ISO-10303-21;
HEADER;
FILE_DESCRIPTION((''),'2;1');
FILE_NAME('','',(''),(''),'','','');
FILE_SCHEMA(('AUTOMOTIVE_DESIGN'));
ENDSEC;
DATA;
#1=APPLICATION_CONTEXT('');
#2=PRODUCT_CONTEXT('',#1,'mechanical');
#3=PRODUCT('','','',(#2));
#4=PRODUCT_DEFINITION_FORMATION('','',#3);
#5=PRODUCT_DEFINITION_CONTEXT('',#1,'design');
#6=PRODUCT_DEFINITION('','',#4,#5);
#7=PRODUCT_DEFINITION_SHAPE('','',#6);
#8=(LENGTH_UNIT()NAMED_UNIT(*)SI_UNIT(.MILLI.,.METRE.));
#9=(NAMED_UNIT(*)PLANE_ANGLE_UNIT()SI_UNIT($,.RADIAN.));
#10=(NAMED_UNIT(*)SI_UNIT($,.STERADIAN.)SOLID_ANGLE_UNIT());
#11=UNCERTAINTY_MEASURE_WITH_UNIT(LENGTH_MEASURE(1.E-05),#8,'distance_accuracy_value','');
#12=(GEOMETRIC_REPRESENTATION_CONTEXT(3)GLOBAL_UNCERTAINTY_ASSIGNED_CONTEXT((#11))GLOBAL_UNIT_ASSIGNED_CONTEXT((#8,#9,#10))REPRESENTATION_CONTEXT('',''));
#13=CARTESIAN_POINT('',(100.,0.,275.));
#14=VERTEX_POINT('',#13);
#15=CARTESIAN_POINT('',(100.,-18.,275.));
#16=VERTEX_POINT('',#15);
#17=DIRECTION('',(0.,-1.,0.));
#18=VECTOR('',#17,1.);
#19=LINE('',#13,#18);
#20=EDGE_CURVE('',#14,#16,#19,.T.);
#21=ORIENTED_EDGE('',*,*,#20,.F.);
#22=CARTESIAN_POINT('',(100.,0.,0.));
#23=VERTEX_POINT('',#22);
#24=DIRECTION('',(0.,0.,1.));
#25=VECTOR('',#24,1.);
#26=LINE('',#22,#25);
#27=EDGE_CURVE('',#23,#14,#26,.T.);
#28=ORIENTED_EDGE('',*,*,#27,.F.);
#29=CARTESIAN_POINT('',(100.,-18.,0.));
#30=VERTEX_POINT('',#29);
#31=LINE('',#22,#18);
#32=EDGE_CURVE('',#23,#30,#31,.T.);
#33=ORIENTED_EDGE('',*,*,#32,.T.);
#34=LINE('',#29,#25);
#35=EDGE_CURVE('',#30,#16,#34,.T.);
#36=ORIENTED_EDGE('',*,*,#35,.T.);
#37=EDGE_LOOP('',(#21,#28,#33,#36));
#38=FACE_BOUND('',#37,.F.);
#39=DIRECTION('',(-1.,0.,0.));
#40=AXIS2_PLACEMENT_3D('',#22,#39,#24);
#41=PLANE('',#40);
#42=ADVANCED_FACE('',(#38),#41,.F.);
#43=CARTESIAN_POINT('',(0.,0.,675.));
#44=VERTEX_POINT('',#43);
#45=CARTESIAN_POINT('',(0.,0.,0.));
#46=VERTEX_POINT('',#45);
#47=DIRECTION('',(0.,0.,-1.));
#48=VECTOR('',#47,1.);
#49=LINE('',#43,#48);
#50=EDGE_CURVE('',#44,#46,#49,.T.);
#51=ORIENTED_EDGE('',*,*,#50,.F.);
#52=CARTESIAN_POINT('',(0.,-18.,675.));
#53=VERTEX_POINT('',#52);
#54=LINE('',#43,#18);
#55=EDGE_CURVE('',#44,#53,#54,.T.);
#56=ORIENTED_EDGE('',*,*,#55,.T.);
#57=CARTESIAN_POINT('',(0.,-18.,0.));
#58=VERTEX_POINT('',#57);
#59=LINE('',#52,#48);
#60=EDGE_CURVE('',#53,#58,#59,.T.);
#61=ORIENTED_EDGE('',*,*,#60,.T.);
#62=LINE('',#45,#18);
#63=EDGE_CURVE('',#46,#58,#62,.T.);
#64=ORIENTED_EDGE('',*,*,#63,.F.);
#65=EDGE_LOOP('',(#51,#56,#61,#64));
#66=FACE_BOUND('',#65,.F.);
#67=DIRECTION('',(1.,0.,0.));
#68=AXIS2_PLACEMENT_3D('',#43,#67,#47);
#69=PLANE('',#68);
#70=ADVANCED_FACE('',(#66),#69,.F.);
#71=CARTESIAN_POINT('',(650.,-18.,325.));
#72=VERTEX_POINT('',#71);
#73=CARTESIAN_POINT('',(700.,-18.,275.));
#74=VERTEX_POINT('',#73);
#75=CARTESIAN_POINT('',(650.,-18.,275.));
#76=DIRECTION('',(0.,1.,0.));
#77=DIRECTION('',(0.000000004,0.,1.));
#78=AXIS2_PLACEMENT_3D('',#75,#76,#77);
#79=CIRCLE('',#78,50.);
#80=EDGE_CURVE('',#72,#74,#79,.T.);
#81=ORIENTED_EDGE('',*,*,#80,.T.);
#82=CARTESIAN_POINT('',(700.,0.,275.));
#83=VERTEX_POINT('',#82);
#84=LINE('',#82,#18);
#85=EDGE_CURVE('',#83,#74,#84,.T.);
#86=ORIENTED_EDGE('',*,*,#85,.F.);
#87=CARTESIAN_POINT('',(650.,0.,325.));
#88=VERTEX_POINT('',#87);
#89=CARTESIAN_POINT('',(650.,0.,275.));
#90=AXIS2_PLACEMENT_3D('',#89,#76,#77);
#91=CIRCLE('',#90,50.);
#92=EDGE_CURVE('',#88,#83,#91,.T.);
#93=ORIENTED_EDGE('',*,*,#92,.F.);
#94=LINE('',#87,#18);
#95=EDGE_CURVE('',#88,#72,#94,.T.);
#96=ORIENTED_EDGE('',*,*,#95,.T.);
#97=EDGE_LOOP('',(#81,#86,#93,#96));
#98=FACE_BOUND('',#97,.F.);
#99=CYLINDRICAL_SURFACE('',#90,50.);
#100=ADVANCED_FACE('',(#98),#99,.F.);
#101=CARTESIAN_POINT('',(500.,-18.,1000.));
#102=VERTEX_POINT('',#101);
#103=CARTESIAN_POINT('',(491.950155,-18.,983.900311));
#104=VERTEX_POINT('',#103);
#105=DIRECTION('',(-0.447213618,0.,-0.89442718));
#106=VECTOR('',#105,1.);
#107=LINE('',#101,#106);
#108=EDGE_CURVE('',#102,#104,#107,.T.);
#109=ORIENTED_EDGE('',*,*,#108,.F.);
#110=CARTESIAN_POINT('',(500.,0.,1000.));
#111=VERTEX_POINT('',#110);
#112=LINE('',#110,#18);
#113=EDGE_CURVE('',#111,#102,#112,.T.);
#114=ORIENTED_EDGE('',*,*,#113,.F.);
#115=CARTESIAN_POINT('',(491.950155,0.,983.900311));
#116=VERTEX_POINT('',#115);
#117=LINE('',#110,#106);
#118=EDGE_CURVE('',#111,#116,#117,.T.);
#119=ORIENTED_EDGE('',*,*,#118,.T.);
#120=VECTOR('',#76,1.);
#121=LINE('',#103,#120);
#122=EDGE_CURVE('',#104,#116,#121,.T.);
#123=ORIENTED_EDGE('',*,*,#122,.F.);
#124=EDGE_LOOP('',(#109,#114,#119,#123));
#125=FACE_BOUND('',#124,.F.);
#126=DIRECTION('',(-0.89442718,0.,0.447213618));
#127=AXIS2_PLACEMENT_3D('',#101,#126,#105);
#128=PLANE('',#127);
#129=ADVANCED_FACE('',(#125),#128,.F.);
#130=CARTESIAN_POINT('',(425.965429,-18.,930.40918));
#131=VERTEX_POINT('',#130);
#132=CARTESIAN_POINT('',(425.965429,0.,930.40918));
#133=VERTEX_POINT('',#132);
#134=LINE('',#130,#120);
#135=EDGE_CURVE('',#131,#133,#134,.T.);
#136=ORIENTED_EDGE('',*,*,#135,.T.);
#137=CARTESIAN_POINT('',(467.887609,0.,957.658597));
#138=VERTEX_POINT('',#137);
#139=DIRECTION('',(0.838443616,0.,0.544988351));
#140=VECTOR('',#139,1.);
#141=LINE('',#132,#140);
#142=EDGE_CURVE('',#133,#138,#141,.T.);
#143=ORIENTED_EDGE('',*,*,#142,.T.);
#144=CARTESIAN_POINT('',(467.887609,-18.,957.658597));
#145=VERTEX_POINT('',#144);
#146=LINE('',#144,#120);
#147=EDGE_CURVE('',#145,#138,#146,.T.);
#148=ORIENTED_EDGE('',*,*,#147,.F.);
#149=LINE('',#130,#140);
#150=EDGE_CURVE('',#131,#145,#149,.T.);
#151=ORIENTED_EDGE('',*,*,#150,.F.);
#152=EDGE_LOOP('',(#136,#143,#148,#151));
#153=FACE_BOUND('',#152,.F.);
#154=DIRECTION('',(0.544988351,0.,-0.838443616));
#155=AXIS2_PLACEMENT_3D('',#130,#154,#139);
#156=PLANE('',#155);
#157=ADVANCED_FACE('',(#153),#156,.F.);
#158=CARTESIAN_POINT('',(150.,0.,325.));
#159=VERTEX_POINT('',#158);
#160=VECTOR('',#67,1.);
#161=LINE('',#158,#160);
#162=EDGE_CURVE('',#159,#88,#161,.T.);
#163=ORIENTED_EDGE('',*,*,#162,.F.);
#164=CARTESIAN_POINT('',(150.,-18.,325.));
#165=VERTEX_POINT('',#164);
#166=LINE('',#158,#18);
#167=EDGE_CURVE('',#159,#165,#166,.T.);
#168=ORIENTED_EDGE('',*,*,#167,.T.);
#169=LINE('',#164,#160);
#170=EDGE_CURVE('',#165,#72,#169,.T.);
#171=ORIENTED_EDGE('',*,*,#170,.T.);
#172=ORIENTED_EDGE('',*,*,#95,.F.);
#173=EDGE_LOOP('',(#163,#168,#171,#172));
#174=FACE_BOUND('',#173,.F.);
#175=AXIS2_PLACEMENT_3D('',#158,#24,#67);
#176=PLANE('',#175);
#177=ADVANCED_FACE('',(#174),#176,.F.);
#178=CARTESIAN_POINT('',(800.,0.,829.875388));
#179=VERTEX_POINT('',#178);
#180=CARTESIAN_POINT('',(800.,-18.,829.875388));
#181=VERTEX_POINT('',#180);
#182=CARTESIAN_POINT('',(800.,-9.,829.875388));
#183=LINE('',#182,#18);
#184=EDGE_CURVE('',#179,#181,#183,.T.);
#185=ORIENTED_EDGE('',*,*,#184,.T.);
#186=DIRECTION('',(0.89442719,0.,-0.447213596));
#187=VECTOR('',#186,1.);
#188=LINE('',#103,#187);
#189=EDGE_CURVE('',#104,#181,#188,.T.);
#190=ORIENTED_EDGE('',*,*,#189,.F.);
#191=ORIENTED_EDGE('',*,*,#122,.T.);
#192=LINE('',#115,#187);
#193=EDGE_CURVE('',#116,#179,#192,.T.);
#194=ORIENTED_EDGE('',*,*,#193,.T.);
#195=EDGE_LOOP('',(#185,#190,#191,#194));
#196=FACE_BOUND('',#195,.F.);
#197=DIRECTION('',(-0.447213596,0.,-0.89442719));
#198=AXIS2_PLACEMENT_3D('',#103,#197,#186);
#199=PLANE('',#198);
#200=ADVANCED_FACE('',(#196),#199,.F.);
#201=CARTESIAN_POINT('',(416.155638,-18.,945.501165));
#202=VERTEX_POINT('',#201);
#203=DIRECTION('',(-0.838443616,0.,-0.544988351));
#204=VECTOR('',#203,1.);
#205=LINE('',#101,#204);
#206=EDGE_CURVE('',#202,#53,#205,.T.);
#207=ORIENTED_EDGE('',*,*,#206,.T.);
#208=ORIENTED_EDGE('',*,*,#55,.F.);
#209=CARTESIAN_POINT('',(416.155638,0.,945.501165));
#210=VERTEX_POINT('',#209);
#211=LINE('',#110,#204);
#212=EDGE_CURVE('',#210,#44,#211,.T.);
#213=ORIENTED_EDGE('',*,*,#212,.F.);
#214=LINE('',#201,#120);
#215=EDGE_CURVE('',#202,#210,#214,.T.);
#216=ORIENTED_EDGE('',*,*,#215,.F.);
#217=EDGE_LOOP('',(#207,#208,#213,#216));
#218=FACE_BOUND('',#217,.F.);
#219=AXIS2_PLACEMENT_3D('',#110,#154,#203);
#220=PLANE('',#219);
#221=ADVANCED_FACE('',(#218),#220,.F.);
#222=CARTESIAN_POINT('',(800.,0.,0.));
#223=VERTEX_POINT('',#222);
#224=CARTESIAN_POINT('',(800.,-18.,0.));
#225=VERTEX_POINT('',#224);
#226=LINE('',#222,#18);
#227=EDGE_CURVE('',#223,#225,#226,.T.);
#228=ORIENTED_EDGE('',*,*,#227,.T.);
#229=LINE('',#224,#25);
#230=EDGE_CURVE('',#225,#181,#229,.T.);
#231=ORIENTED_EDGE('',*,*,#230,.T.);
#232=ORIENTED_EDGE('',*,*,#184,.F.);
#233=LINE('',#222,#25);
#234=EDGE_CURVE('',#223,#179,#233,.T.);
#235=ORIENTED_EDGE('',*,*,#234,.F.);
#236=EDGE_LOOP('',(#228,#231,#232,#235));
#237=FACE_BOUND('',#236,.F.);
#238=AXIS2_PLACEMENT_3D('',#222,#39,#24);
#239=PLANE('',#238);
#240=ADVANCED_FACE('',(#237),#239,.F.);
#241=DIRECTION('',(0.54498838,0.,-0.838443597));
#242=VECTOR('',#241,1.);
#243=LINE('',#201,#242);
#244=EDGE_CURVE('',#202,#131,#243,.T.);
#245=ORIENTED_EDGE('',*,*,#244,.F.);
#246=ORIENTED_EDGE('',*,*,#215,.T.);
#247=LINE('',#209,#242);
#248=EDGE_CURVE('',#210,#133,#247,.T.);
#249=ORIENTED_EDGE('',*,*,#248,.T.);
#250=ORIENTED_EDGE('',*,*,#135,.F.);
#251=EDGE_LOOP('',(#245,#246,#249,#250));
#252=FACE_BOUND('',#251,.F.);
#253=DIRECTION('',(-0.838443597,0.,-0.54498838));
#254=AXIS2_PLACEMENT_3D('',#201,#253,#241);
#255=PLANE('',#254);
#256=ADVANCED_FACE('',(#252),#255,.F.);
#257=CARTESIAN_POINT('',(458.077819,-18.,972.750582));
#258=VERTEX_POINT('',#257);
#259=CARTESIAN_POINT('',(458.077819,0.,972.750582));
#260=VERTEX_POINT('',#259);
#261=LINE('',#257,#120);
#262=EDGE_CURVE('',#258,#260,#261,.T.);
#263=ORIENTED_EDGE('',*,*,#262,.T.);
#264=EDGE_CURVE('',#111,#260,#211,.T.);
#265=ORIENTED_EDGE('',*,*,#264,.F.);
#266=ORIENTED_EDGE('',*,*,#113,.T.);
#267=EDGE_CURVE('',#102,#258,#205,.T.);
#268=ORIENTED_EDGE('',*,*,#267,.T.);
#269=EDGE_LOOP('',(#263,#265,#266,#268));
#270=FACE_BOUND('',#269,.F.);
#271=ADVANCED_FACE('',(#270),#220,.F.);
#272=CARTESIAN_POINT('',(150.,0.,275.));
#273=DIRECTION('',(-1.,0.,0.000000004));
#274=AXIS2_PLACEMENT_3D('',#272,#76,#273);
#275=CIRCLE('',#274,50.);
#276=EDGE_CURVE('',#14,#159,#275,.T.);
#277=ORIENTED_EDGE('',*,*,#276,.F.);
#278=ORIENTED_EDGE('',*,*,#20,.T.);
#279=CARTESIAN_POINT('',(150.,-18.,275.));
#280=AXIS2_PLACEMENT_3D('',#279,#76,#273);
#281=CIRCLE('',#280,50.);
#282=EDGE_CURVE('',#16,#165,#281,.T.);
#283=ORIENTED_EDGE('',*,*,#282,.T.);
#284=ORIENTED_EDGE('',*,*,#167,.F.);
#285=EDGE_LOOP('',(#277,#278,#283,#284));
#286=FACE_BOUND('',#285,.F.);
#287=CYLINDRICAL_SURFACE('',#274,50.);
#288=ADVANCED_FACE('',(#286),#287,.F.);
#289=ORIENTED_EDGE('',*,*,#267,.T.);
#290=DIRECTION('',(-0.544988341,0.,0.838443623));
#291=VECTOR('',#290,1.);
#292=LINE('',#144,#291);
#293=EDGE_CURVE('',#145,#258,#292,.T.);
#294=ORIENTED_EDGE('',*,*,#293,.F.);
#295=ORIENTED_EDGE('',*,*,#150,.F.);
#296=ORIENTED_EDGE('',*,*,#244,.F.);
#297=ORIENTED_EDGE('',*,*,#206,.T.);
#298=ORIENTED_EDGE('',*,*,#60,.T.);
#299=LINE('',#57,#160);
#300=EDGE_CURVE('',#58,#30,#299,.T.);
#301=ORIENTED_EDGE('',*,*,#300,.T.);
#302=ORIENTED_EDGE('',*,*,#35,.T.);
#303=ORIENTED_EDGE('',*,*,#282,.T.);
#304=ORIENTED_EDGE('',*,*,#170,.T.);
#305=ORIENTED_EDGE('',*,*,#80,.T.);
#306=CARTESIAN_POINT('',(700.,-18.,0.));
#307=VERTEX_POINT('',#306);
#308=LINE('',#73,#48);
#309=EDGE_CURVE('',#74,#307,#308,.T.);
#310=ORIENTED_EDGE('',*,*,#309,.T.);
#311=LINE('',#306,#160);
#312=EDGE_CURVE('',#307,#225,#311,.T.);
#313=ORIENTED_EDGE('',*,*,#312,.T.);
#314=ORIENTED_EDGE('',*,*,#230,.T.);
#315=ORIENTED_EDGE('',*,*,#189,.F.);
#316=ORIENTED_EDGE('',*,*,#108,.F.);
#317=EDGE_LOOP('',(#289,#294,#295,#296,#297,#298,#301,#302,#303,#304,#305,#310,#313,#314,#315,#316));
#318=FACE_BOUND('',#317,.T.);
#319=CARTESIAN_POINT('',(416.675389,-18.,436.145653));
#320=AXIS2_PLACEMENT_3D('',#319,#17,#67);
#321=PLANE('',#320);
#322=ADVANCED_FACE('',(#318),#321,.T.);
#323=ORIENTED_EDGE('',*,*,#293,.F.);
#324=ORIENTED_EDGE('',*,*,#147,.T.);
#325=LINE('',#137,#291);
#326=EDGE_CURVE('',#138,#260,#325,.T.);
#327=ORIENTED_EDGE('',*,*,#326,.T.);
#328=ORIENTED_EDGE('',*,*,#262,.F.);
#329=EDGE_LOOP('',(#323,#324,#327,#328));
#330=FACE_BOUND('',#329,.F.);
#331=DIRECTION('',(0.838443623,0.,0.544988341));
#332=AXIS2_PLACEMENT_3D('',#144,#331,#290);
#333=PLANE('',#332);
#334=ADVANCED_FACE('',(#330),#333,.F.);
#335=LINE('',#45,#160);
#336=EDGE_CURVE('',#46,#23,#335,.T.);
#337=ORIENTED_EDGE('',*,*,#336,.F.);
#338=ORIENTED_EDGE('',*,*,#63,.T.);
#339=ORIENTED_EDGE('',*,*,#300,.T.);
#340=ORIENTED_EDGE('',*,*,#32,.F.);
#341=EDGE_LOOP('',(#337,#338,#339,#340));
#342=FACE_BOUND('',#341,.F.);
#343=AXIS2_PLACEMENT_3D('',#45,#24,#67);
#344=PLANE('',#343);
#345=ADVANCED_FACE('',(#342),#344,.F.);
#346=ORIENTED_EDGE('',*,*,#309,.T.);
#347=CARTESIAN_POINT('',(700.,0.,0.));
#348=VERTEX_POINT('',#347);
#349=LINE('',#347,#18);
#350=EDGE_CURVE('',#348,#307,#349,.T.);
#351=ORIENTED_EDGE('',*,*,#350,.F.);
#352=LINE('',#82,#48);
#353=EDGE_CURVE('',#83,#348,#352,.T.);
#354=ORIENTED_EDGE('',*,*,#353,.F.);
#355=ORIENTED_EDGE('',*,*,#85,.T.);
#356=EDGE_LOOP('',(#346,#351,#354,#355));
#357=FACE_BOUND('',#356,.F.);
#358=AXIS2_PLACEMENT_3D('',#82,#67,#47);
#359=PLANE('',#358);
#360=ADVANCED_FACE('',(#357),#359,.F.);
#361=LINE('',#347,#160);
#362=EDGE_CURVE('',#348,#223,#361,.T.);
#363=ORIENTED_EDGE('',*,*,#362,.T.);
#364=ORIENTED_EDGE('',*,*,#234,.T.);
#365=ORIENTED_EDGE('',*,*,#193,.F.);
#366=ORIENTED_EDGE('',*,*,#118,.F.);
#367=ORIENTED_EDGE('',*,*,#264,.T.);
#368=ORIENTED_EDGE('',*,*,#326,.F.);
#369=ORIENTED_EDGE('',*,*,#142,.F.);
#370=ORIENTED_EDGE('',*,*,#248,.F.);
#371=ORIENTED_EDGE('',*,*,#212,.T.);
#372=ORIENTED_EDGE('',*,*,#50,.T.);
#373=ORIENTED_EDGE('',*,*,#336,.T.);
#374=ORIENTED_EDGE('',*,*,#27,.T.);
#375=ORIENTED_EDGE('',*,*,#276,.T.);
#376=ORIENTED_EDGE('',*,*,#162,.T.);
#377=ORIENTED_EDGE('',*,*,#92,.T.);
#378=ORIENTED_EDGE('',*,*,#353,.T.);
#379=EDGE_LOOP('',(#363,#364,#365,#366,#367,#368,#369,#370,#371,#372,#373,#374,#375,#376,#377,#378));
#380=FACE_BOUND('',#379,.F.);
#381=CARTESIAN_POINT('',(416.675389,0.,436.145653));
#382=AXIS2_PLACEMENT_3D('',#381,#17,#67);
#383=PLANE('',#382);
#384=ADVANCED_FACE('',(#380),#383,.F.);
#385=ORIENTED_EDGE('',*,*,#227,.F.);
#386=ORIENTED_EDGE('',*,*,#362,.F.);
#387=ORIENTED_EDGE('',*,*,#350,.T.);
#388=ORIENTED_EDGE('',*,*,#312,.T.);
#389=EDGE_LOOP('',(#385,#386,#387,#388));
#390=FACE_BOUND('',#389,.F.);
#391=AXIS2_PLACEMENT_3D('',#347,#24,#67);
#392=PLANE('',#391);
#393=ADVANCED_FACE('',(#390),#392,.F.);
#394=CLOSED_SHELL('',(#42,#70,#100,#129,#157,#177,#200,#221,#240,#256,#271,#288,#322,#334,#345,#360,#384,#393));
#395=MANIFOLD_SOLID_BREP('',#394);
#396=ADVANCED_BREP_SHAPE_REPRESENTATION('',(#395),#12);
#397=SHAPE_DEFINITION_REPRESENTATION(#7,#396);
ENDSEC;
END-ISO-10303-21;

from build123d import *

# Parameters (mm, degrees)
F1_DEPTH = 18
F5_DEPTH = 18
F7_DEPTH = 18


with BuildPart() as f1:
    # F0 (on Front) → F1 (new body)
    with BuildSketch(Plane.XZ):
        with BuildLine():
            Line((0, 675), (0, 0))
            Line((0, 0), (100, 0))
            Line((100, 0), (100, 275))
            ThreePointArc((100, 275), (114.644661, 310.355339), (150, 325))
            Line((150, 325), (650, 325))
            ThreePointArc((650, 325), (685.355339, 310.355339), (700, 275))
            Line((700, 275), (700, 0))
            Line((700, 0), (800, 0))
            Line((800, 0), (800, 850))
            Line((800, 850), (500, 1000))
            Line((500, 1000), (0, 675))
        make_face()
    extrude(amount=F1_DEPTH)

    # F4 (on face) → F5 (cut)
    with BuildSketch(Plane.XZ.offset(18)):
        Polygon((458.077819, 972.750582), (416.155638, 945.501165), (425.965429, 930.40918), (467.887609, 957.658597), align=None)
    extrude(amount=-F5_DEPTH, mode=Mode.SUBTRACT)

    # F6 (on face) → F7 (cut, through all)
    with BuildSketch(Plane.XZ.offset(18)):
        Polygon((500, 1000), (491.950155, 983.900311), (849.721032, 805.014872), (857.770876, 821.114562), align=None)
    extrude(amount=-F7_DEPTH, mode=Mode.SUBTRACT)


solid = f1.part
